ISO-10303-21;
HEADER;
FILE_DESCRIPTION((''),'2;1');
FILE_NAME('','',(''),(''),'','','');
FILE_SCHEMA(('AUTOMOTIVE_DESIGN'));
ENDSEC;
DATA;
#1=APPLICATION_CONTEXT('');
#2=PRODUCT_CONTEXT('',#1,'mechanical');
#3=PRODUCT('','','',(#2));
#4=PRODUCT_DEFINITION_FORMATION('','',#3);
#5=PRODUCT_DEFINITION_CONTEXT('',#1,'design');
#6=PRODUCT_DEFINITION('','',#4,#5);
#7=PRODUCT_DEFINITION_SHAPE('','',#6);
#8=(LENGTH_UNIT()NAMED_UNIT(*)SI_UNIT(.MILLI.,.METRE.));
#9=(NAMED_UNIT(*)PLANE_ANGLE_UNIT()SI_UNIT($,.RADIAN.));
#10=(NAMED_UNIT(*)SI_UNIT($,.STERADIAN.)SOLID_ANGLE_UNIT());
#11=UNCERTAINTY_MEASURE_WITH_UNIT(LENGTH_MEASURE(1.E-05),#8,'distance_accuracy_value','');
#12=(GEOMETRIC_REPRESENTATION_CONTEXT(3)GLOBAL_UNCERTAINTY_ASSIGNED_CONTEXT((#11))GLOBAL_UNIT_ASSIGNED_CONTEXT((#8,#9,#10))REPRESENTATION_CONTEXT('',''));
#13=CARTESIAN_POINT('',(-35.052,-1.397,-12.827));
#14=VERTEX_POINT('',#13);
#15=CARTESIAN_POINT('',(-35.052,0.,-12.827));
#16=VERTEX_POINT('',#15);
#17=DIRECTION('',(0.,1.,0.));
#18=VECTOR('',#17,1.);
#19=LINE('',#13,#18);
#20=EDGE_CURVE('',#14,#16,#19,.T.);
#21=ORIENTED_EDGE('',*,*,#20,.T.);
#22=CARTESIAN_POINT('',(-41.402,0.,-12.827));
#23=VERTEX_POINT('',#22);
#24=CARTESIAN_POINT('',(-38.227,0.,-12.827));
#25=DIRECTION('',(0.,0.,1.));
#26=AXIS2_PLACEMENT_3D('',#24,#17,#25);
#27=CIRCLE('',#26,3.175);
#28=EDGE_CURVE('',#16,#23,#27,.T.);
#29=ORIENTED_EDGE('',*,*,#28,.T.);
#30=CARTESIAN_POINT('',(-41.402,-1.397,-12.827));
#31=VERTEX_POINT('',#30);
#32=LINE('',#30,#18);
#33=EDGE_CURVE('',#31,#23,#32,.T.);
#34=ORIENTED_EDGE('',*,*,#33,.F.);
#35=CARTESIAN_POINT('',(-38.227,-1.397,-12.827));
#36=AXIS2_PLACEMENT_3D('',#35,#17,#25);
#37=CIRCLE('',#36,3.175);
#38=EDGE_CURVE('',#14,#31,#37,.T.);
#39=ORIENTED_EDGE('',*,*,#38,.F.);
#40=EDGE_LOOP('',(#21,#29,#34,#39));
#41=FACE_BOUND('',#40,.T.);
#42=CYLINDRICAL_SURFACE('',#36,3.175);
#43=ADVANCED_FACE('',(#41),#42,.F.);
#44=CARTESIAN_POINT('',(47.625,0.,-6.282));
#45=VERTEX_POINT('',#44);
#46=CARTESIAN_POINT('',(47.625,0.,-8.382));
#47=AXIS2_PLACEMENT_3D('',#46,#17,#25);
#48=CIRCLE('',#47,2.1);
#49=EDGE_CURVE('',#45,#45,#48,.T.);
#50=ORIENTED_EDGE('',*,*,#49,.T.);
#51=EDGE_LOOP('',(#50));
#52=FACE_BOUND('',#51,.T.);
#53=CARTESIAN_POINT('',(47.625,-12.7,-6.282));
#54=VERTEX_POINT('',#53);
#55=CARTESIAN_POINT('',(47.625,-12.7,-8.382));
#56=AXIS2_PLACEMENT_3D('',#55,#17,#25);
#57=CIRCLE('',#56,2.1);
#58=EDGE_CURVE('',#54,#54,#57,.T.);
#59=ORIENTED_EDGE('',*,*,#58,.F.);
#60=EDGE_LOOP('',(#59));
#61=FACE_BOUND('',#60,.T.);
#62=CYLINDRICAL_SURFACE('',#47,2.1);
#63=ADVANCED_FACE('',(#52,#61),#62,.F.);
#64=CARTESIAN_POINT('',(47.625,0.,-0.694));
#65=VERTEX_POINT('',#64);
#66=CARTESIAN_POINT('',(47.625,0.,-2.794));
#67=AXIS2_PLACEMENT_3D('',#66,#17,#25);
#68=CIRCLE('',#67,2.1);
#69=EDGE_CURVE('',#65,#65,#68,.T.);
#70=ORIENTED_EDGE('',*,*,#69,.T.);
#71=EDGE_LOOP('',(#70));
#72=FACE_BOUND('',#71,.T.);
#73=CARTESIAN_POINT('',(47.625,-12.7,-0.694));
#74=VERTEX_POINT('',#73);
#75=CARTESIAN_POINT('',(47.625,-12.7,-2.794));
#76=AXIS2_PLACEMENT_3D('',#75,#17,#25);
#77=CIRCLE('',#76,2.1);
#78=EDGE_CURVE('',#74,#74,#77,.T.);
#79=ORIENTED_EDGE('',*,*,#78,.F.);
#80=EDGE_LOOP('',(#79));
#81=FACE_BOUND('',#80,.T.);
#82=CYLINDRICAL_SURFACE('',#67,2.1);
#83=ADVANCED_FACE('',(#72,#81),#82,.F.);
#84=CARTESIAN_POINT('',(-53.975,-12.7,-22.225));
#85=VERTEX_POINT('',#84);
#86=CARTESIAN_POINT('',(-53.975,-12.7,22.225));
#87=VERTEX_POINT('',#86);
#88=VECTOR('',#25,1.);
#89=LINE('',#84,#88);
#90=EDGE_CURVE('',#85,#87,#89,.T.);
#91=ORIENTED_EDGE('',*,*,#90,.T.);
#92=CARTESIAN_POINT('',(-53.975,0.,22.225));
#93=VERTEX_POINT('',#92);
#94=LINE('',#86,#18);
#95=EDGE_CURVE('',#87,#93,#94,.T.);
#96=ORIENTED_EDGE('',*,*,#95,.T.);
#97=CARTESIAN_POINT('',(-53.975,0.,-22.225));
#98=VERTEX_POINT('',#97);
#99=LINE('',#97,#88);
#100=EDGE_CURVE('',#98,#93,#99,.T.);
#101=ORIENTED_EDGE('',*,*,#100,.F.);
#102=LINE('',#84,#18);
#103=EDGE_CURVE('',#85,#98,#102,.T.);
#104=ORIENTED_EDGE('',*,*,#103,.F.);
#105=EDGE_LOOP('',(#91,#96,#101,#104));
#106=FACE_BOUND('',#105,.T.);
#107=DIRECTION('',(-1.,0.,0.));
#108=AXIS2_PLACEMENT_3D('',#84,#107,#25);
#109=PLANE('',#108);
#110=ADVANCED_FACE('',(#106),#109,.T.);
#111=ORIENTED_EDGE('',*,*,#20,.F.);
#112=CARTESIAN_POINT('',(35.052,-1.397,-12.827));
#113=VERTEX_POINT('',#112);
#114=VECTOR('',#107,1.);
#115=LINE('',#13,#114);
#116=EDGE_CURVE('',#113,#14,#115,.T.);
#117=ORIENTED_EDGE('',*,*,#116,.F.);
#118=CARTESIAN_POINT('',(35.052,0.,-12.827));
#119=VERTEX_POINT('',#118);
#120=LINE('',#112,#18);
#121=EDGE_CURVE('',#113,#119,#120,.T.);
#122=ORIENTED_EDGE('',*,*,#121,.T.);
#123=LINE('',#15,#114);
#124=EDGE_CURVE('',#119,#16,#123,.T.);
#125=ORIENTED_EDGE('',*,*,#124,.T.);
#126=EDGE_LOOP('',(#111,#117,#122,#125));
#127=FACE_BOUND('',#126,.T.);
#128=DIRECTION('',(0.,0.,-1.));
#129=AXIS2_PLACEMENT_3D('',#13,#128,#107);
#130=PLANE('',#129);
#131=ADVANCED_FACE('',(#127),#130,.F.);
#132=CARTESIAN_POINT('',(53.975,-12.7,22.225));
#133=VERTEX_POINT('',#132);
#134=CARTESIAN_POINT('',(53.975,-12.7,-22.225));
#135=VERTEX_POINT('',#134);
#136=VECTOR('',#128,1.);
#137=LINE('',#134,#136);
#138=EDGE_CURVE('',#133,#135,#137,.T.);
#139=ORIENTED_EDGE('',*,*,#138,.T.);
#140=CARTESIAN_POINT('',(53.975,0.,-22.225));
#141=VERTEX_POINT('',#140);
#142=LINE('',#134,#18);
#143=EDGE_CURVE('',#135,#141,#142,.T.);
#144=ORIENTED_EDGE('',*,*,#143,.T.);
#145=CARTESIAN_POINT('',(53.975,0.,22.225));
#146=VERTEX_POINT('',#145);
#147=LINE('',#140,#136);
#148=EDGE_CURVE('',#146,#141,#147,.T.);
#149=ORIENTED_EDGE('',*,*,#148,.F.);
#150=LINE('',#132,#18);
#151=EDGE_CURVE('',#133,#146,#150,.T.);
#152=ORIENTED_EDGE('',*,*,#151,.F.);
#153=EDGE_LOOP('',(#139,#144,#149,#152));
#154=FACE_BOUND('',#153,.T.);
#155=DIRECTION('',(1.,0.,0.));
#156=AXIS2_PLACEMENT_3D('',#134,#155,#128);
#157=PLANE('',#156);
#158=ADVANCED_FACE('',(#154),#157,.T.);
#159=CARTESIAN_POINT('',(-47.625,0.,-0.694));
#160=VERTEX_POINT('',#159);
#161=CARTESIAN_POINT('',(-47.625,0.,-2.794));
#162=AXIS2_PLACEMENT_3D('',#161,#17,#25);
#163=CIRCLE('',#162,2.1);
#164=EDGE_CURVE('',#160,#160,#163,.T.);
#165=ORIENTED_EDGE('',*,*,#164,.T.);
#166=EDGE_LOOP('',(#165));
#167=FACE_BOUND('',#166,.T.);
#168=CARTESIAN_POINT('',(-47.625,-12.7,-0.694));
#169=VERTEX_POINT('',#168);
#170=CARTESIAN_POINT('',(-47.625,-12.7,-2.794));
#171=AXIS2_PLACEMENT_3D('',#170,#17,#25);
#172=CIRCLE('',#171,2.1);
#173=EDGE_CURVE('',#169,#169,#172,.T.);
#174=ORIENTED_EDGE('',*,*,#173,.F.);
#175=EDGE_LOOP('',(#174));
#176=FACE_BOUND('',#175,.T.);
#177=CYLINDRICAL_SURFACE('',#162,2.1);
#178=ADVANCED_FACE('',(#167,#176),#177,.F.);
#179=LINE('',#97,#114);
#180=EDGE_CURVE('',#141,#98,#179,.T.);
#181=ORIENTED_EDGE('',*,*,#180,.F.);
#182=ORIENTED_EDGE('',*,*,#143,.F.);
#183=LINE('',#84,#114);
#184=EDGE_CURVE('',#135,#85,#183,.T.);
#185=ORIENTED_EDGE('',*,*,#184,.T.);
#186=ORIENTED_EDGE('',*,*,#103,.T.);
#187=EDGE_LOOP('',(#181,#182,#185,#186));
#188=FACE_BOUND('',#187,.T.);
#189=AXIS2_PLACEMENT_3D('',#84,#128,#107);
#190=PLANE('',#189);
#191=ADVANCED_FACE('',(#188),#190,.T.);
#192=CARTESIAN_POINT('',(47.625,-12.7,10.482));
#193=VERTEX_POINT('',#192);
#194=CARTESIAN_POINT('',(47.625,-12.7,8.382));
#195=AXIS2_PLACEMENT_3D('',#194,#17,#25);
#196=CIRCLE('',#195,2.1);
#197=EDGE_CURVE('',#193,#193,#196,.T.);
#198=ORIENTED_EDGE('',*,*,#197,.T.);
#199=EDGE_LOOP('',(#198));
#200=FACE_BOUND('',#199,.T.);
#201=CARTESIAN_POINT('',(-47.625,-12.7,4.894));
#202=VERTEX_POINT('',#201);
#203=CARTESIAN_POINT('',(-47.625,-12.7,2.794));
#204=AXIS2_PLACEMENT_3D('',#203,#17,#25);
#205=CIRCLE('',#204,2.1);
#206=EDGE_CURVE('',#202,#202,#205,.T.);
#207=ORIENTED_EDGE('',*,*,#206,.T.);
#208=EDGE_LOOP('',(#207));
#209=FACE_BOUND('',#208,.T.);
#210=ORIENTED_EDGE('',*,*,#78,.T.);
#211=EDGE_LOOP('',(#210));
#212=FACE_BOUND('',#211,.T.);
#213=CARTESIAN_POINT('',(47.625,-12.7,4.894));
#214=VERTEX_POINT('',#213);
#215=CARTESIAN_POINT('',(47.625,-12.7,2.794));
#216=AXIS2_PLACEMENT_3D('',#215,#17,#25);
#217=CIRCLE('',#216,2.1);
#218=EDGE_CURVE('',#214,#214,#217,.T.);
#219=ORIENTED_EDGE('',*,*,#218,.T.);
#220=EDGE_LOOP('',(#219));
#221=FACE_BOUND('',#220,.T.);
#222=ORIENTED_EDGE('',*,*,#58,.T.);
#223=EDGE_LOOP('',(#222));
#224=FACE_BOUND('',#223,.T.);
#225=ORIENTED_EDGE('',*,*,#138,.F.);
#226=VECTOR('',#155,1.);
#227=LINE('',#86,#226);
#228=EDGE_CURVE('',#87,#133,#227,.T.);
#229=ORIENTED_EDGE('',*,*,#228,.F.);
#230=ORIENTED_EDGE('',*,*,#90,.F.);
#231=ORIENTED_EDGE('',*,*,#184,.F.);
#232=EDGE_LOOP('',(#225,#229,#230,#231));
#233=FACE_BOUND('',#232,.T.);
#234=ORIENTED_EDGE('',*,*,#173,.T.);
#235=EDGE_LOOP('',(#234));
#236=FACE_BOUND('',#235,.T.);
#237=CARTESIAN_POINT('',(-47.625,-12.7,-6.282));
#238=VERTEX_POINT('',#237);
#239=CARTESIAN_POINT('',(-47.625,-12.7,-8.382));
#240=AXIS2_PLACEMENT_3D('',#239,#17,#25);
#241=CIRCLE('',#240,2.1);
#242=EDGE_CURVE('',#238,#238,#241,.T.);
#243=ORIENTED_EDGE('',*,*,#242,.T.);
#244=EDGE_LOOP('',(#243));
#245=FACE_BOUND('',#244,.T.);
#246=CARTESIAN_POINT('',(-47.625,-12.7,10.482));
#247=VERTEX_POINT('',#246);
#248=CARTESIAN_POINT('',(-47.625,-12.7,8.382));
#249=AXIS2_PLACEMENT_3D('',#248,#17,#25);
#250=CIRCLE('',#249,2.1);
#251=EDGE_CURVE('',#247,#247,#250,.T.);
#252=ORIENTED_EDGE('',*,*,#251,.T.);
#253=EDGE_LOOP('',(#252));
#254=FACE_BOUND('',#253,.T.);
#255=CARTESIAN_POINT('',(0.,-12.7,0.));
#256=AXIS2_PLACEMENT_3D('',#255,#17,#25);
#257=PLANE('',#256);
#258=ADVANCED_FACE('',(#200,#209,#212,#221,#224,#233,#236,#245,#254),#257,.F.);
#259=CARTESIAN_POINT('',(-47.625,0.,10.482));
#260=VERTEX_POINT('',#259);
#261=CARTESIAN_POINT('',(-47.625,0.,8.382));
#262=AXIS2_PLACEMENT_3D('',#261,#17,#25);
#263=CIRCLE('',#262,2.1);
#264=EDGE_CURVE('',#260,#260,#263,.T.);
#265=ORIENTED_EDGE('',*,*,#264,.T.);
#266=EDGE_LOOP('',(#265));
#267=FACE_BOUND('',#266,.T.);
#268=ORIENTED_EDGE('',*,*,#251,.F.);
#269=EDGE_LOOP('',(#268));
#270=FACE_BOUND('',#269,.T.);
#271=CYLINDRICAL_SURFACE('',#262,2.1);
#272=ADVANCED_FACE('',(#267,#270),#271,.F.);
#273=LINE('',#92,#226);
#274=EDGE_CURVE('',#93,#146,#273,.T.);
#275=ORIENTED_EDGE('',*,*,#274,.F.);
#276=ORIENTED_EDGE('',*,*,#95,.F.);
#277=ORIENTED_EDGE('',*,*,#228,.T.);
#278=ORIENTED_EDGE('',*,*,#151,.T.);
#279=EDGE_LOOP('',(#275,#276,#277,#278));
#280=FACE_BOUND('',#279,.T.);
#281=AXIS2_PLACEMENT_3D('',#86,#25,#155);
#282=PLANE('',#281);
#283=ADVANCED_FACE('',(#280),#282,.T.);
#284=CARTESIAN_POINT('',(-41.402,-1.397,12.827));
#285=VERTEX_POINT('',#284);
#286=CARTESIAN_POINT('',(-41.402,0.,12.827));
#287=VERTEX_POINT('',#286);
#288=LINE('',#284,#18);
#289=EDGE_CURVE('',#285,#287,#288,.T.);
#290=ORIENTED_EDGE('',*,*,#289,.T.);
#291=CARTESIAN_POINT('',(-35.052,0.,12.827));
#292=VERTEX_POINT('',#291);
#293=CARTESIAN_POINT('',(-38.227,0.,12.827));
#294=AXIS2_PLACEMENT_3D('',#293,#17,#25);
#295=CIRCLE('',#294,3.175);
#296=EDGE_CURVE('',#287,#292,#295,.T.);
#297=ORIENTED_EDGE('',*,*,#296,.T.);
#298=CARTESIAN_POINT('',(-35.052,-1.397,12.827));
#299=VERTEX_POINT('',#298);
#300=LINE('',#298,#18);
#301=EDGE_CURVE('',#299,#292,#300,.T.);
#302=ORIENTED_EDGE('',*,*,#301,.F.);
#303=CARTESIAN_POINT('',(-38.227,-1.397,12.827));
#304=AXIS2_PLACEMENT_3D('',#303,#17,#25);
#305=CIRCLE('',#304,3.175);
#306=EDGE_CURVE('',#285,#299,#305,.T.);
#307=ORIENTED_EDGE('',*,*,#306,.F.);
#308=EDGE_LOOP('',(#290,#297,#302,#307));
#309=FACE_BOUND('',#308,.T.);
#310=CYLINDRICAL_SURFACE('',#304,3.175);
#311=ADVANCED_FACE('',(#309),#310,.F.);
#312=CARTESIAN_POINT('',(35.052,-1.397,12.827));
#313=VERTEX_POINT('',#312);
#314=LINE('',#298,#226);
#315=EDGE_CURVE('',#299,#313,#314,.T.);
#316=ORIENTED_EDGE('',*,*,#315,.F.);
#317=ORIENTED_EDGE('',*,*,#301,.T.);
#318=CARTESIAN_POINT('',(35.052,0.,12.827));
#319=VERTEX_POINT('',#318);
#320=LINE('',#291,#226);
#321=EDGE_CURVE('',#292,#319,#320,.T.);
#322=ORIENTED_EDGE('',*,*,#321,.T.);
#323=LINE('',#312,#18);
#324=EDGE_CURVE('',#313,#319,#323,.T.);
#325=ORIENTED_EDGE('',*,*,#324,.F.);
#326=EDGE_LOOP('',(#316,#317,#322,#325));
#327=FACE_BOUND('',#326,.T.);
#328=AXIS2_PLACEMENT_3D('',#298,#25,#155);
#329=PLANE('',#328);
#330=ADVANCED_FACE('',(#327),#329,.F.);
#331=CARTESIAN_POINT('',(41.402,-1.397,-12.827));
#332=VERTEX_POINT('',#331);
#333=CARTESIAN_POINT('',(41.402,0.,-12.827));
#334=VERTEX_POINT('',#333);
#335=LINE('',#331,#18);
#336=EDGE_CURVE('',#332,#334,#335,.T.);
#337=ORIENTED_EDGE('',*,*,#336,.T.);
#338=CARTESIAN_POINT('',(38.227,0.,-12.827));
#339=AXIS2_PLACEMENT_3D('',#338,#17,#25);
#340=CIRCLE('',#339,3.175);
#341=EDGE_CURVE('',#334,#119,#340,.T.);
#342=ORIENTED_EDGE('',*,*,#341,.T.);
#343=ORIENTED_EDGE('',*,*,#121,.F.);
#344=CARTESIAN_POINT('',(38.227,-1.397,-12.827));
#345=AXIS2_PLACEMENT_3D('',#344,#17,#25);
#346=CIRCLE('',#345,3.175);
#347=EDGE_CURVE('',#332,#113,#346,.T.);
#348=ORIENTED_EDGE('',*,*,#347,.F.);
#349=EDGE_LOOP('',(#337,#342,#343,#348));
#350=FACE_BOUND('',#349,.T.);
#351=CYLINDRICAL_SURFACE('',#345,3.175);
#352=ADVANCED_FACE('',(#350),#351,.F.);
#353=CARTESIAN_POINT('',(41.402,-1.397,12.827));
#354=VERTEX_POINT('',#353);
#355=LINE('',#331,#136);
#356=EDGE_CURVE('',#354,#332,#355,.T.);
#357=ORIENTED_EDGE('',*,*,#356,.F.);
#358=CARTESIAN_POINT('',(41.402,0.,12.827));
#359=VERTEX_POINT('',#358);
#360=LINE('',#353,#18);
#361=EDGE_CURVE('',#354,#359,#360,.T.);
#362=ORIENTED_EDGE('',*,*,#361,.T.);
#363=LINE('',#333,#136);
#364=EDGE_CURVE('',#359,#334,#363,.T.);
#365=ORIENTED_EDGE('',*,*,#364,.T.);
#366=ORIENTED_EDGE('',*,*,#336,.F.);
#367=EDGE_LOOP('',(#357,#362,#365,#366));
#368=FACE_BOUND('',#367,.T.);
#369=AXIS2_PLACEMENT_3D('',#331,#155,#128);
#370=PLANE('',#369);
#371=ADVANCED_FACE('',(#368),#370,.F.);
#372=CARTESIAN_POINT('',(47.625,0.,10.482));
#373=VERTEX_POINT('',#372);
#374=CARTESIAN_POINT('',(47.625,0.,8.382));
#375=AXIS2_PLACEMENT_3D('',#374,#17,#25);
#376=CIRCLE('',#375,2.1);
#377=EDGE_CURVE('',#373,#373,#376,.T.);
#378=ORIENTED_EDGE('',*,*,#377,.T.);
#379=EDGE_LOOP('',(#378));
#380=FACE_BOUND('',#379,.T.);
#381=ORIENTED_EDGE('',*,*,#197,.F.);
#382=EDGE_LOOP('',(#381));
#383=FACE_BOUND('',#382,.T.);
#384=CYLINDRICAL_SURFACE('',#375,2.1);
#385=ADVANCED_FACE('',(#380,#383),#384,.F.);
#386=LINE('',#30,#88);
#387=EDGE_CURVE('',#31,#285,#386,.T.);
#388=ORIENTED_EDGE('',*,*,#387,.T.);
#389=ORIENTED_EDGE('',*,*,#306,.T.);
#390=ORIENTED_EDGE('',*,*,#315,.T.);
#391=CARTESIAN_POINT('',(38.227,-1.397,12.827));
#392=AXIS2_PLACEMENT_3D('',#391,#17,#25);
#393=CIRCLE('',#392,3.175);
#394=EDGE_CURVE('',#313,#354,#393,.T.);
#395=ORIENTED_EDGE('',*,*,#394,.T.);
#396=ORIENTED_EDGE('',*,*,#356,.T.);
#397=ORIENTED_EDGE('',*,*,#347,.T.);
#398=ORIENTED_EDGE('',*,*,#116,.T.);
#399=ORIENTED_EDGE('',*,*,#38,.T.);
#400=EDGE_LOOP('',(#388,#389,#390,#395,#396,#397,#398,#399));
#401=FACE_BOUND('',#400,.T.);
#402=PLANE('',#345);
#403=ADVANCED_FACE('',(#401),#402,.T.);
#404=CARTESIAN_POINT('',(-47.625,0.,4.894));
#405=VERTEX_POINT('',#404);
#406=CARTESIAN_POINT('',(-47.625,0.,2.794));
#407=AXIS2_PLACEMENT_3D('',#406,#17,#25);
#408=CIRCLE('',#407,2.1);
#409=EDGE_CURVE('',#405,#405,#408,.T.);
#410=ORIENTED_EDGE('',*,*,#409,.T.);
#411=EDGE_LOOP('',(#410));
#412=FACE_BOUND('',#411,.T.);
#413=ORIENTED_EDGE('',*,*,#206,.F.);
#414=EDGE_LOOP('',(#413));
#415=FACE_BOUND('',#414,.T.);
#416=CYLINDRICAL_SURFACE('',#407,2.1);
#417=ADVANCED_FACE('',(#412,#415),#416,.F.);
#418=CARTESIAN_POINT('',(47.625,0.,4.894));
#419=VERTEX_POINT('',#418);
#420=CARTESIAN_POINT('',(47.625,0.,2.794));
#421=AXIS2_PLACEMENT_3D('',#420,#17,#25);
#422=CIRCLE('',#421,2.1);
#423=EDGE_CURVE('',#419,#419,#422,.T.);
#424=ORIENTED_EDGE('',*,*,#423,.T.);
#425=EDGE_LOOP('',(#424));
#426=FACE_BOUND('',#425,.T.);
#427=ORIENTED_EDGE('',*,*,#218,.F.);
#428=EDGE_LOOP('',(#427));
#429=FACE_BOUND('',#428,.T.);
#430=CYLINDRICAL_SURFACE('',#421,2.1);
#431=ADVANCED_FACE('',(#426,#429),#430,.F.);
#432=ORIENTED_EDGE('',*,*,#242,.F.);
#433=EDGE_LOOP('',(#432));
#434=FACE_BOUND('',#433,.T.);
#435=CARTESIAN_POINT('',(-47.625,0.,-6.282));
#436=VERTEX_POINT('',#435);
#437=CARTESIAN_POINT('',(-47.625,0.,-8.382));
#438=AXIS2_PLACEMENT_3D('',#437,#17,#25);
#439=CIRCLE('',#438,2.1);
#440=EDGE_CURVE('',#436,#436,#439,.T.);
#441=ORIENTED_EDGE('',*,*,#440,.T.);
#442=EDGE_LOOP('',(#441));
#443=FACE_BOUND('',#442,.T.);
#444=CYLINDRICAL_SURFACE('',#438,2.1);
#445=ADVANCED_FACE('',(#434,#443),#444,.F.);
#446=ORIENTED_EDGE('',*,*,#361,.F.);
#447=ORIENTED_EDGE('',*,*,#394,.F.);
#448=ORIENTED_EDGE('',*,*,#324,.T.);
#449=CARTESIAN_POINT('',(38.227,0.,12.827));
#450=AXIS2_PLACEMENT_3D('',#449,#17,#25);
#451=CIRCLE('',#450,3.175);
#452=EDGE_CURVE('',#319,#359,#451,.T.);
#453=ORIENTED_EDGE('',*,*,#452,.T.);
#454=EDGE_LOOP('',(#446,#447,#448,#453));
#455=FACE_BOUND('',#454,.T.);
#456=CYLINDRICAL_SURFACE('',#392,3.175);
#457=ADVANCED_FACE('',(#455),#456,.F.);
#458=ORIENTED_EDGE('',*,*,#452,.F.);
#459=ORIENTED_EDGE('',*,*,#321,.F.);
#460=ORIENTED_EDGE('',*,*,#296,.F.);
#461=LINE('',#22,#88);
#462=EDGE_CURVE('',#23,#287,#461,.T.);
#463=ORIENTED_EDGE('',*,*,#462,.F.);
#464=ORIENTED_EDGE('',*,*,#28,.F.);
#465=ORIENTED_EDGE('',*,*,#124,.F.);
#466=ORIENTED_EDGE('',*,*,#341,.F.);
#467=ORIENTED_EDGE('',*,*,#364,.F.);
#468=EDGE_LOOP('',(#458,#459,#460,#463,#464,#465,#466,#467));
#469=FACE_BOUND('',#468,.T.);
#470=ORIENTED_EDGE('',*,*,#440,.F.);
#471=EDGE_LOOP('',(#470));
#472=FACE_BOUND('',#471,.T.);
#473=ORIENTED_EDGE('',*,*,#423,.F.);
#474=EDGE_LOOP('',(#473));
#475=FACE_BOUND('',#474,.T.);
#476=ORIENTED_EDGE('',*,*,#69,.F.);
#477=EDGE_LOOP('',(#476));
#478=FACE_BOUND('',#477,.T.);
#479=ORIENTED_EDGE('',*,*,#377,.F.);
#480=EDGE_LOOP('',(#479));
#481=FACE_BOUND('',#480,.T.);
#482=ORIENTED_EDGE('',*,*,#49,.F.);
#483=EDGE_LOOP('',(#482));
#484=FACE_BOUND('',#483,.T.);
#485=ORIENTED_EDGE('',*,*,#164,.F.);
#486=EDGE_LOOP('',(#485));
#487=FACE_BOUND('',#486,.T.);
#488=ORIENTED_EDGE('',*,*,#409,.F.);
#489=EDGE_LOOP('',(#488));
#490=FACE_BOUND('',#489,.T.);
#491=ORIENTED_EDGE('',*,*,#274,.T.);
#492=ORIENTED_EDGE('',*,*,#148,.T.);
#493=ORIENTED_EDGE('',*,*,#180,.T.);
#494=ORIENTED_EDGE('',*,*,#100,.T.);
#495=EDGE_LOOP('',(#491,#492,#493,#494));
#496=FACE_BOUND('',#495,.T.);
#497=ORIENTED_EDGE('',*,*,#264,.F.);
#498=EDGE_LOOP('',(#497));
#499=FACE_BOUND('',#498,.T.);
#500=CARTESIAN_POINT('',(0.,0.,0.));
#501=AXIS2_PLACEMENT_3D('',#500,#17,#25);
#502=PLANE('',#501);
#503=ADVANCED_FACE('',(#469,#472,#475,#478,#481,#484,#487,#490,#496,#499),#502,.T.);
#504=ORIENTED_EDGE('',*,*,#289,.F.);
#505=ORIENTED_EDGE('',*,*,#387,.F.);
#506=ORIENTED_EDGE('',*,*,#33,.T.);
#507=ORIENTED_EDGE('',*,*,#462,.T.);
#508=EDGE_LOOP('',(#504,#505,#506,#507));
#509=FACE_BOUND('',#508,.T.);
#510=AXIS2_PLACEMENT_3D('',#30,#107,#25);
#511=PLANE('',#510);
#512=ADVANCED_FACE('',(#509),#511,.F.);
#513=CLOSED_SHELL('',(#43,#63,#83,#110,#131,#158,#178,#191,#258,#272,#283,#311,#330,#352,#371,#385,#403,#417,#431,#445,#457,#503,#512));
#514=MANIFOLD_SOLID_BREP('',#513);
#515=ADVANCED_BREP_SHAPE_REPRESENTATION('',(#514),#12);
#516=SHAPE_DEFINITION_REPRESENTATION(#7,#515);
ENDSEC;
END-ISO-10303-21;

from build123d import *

# Parameters (mm, degrees)
SKETCH1_W             = 107.95
SKETCH1_H             = 44.45
BOSS_EXTRUDE1_DEPTH   = 12.7
CUT_EXTRUDE1_DEPTH    = 1.397
M5X0_8_TAPPED_HOLE1_D = 4.2


with BuildPart() as part:
    # Sketch1 → Boss-Extrude1 (new body)
    with BuildSketch(Plane(origin=(0, 0, 0), x_dir=(1, 0, 0), z_dir=(0, 1, 0))):
        Rectangle(SKETCH1_W, SKETCH1_H)
    extrude(amount=-BOSS_EXTRUDE1_DEPTH)

    # Sketch2 → Cut-Extrude1 (cut)
    with BuildSketch(Plane(origin=(0, 0, 0), x_dir=(1, 0, 0), z_dir=(0, 1, 0))):
        with BuildLine():
            Line((41.402, 12.827), (41.402, -12.827))
            ThreePointArc((41.402, -12.827), (38.227, -16.002), (35.052, -12.827))
            Line((35.052, -12.827), (-35.052, -12.827))
            ThreePointArc((-35.052, -12.827), (-38.227, -16.002), (-41.402, -12.827))
            Line((-41.402, -12.827), (-41.402, 12.827))
            ThreePointArc((-41.402, 12.827), (-38.227, 16.002), (-35.052, 12.827))
            Line((-35.052, 12.827), (35.052, 12.827))
            ThreePointArc((35.052, 12.827), (38.227, 16.002), (41.402, 12.827))
        make_face()
    extrude(amount=-CUT_EXTRUDE1_DEPTH, mode=Mode.SUBTRACT)

    # M5x0.8 Tapped Hole1 (through all)
    with Locations(Plane(origin=(0, 0, 0), x_dir=(1, 0, 0), z_dir=(0, 1, 0))):
        with Locations((-47.625, 8.382), (-47.625, 2.794), (-47.625, -2.794), (-47.625, -8.382), (47.625, -8.382), (47.625, -2.794), (47.625, 2.794), (47.625, 8.382)):
            Hole(M5X0_8_TAPPED_HOLE1_D / 2)


solid = part.part
